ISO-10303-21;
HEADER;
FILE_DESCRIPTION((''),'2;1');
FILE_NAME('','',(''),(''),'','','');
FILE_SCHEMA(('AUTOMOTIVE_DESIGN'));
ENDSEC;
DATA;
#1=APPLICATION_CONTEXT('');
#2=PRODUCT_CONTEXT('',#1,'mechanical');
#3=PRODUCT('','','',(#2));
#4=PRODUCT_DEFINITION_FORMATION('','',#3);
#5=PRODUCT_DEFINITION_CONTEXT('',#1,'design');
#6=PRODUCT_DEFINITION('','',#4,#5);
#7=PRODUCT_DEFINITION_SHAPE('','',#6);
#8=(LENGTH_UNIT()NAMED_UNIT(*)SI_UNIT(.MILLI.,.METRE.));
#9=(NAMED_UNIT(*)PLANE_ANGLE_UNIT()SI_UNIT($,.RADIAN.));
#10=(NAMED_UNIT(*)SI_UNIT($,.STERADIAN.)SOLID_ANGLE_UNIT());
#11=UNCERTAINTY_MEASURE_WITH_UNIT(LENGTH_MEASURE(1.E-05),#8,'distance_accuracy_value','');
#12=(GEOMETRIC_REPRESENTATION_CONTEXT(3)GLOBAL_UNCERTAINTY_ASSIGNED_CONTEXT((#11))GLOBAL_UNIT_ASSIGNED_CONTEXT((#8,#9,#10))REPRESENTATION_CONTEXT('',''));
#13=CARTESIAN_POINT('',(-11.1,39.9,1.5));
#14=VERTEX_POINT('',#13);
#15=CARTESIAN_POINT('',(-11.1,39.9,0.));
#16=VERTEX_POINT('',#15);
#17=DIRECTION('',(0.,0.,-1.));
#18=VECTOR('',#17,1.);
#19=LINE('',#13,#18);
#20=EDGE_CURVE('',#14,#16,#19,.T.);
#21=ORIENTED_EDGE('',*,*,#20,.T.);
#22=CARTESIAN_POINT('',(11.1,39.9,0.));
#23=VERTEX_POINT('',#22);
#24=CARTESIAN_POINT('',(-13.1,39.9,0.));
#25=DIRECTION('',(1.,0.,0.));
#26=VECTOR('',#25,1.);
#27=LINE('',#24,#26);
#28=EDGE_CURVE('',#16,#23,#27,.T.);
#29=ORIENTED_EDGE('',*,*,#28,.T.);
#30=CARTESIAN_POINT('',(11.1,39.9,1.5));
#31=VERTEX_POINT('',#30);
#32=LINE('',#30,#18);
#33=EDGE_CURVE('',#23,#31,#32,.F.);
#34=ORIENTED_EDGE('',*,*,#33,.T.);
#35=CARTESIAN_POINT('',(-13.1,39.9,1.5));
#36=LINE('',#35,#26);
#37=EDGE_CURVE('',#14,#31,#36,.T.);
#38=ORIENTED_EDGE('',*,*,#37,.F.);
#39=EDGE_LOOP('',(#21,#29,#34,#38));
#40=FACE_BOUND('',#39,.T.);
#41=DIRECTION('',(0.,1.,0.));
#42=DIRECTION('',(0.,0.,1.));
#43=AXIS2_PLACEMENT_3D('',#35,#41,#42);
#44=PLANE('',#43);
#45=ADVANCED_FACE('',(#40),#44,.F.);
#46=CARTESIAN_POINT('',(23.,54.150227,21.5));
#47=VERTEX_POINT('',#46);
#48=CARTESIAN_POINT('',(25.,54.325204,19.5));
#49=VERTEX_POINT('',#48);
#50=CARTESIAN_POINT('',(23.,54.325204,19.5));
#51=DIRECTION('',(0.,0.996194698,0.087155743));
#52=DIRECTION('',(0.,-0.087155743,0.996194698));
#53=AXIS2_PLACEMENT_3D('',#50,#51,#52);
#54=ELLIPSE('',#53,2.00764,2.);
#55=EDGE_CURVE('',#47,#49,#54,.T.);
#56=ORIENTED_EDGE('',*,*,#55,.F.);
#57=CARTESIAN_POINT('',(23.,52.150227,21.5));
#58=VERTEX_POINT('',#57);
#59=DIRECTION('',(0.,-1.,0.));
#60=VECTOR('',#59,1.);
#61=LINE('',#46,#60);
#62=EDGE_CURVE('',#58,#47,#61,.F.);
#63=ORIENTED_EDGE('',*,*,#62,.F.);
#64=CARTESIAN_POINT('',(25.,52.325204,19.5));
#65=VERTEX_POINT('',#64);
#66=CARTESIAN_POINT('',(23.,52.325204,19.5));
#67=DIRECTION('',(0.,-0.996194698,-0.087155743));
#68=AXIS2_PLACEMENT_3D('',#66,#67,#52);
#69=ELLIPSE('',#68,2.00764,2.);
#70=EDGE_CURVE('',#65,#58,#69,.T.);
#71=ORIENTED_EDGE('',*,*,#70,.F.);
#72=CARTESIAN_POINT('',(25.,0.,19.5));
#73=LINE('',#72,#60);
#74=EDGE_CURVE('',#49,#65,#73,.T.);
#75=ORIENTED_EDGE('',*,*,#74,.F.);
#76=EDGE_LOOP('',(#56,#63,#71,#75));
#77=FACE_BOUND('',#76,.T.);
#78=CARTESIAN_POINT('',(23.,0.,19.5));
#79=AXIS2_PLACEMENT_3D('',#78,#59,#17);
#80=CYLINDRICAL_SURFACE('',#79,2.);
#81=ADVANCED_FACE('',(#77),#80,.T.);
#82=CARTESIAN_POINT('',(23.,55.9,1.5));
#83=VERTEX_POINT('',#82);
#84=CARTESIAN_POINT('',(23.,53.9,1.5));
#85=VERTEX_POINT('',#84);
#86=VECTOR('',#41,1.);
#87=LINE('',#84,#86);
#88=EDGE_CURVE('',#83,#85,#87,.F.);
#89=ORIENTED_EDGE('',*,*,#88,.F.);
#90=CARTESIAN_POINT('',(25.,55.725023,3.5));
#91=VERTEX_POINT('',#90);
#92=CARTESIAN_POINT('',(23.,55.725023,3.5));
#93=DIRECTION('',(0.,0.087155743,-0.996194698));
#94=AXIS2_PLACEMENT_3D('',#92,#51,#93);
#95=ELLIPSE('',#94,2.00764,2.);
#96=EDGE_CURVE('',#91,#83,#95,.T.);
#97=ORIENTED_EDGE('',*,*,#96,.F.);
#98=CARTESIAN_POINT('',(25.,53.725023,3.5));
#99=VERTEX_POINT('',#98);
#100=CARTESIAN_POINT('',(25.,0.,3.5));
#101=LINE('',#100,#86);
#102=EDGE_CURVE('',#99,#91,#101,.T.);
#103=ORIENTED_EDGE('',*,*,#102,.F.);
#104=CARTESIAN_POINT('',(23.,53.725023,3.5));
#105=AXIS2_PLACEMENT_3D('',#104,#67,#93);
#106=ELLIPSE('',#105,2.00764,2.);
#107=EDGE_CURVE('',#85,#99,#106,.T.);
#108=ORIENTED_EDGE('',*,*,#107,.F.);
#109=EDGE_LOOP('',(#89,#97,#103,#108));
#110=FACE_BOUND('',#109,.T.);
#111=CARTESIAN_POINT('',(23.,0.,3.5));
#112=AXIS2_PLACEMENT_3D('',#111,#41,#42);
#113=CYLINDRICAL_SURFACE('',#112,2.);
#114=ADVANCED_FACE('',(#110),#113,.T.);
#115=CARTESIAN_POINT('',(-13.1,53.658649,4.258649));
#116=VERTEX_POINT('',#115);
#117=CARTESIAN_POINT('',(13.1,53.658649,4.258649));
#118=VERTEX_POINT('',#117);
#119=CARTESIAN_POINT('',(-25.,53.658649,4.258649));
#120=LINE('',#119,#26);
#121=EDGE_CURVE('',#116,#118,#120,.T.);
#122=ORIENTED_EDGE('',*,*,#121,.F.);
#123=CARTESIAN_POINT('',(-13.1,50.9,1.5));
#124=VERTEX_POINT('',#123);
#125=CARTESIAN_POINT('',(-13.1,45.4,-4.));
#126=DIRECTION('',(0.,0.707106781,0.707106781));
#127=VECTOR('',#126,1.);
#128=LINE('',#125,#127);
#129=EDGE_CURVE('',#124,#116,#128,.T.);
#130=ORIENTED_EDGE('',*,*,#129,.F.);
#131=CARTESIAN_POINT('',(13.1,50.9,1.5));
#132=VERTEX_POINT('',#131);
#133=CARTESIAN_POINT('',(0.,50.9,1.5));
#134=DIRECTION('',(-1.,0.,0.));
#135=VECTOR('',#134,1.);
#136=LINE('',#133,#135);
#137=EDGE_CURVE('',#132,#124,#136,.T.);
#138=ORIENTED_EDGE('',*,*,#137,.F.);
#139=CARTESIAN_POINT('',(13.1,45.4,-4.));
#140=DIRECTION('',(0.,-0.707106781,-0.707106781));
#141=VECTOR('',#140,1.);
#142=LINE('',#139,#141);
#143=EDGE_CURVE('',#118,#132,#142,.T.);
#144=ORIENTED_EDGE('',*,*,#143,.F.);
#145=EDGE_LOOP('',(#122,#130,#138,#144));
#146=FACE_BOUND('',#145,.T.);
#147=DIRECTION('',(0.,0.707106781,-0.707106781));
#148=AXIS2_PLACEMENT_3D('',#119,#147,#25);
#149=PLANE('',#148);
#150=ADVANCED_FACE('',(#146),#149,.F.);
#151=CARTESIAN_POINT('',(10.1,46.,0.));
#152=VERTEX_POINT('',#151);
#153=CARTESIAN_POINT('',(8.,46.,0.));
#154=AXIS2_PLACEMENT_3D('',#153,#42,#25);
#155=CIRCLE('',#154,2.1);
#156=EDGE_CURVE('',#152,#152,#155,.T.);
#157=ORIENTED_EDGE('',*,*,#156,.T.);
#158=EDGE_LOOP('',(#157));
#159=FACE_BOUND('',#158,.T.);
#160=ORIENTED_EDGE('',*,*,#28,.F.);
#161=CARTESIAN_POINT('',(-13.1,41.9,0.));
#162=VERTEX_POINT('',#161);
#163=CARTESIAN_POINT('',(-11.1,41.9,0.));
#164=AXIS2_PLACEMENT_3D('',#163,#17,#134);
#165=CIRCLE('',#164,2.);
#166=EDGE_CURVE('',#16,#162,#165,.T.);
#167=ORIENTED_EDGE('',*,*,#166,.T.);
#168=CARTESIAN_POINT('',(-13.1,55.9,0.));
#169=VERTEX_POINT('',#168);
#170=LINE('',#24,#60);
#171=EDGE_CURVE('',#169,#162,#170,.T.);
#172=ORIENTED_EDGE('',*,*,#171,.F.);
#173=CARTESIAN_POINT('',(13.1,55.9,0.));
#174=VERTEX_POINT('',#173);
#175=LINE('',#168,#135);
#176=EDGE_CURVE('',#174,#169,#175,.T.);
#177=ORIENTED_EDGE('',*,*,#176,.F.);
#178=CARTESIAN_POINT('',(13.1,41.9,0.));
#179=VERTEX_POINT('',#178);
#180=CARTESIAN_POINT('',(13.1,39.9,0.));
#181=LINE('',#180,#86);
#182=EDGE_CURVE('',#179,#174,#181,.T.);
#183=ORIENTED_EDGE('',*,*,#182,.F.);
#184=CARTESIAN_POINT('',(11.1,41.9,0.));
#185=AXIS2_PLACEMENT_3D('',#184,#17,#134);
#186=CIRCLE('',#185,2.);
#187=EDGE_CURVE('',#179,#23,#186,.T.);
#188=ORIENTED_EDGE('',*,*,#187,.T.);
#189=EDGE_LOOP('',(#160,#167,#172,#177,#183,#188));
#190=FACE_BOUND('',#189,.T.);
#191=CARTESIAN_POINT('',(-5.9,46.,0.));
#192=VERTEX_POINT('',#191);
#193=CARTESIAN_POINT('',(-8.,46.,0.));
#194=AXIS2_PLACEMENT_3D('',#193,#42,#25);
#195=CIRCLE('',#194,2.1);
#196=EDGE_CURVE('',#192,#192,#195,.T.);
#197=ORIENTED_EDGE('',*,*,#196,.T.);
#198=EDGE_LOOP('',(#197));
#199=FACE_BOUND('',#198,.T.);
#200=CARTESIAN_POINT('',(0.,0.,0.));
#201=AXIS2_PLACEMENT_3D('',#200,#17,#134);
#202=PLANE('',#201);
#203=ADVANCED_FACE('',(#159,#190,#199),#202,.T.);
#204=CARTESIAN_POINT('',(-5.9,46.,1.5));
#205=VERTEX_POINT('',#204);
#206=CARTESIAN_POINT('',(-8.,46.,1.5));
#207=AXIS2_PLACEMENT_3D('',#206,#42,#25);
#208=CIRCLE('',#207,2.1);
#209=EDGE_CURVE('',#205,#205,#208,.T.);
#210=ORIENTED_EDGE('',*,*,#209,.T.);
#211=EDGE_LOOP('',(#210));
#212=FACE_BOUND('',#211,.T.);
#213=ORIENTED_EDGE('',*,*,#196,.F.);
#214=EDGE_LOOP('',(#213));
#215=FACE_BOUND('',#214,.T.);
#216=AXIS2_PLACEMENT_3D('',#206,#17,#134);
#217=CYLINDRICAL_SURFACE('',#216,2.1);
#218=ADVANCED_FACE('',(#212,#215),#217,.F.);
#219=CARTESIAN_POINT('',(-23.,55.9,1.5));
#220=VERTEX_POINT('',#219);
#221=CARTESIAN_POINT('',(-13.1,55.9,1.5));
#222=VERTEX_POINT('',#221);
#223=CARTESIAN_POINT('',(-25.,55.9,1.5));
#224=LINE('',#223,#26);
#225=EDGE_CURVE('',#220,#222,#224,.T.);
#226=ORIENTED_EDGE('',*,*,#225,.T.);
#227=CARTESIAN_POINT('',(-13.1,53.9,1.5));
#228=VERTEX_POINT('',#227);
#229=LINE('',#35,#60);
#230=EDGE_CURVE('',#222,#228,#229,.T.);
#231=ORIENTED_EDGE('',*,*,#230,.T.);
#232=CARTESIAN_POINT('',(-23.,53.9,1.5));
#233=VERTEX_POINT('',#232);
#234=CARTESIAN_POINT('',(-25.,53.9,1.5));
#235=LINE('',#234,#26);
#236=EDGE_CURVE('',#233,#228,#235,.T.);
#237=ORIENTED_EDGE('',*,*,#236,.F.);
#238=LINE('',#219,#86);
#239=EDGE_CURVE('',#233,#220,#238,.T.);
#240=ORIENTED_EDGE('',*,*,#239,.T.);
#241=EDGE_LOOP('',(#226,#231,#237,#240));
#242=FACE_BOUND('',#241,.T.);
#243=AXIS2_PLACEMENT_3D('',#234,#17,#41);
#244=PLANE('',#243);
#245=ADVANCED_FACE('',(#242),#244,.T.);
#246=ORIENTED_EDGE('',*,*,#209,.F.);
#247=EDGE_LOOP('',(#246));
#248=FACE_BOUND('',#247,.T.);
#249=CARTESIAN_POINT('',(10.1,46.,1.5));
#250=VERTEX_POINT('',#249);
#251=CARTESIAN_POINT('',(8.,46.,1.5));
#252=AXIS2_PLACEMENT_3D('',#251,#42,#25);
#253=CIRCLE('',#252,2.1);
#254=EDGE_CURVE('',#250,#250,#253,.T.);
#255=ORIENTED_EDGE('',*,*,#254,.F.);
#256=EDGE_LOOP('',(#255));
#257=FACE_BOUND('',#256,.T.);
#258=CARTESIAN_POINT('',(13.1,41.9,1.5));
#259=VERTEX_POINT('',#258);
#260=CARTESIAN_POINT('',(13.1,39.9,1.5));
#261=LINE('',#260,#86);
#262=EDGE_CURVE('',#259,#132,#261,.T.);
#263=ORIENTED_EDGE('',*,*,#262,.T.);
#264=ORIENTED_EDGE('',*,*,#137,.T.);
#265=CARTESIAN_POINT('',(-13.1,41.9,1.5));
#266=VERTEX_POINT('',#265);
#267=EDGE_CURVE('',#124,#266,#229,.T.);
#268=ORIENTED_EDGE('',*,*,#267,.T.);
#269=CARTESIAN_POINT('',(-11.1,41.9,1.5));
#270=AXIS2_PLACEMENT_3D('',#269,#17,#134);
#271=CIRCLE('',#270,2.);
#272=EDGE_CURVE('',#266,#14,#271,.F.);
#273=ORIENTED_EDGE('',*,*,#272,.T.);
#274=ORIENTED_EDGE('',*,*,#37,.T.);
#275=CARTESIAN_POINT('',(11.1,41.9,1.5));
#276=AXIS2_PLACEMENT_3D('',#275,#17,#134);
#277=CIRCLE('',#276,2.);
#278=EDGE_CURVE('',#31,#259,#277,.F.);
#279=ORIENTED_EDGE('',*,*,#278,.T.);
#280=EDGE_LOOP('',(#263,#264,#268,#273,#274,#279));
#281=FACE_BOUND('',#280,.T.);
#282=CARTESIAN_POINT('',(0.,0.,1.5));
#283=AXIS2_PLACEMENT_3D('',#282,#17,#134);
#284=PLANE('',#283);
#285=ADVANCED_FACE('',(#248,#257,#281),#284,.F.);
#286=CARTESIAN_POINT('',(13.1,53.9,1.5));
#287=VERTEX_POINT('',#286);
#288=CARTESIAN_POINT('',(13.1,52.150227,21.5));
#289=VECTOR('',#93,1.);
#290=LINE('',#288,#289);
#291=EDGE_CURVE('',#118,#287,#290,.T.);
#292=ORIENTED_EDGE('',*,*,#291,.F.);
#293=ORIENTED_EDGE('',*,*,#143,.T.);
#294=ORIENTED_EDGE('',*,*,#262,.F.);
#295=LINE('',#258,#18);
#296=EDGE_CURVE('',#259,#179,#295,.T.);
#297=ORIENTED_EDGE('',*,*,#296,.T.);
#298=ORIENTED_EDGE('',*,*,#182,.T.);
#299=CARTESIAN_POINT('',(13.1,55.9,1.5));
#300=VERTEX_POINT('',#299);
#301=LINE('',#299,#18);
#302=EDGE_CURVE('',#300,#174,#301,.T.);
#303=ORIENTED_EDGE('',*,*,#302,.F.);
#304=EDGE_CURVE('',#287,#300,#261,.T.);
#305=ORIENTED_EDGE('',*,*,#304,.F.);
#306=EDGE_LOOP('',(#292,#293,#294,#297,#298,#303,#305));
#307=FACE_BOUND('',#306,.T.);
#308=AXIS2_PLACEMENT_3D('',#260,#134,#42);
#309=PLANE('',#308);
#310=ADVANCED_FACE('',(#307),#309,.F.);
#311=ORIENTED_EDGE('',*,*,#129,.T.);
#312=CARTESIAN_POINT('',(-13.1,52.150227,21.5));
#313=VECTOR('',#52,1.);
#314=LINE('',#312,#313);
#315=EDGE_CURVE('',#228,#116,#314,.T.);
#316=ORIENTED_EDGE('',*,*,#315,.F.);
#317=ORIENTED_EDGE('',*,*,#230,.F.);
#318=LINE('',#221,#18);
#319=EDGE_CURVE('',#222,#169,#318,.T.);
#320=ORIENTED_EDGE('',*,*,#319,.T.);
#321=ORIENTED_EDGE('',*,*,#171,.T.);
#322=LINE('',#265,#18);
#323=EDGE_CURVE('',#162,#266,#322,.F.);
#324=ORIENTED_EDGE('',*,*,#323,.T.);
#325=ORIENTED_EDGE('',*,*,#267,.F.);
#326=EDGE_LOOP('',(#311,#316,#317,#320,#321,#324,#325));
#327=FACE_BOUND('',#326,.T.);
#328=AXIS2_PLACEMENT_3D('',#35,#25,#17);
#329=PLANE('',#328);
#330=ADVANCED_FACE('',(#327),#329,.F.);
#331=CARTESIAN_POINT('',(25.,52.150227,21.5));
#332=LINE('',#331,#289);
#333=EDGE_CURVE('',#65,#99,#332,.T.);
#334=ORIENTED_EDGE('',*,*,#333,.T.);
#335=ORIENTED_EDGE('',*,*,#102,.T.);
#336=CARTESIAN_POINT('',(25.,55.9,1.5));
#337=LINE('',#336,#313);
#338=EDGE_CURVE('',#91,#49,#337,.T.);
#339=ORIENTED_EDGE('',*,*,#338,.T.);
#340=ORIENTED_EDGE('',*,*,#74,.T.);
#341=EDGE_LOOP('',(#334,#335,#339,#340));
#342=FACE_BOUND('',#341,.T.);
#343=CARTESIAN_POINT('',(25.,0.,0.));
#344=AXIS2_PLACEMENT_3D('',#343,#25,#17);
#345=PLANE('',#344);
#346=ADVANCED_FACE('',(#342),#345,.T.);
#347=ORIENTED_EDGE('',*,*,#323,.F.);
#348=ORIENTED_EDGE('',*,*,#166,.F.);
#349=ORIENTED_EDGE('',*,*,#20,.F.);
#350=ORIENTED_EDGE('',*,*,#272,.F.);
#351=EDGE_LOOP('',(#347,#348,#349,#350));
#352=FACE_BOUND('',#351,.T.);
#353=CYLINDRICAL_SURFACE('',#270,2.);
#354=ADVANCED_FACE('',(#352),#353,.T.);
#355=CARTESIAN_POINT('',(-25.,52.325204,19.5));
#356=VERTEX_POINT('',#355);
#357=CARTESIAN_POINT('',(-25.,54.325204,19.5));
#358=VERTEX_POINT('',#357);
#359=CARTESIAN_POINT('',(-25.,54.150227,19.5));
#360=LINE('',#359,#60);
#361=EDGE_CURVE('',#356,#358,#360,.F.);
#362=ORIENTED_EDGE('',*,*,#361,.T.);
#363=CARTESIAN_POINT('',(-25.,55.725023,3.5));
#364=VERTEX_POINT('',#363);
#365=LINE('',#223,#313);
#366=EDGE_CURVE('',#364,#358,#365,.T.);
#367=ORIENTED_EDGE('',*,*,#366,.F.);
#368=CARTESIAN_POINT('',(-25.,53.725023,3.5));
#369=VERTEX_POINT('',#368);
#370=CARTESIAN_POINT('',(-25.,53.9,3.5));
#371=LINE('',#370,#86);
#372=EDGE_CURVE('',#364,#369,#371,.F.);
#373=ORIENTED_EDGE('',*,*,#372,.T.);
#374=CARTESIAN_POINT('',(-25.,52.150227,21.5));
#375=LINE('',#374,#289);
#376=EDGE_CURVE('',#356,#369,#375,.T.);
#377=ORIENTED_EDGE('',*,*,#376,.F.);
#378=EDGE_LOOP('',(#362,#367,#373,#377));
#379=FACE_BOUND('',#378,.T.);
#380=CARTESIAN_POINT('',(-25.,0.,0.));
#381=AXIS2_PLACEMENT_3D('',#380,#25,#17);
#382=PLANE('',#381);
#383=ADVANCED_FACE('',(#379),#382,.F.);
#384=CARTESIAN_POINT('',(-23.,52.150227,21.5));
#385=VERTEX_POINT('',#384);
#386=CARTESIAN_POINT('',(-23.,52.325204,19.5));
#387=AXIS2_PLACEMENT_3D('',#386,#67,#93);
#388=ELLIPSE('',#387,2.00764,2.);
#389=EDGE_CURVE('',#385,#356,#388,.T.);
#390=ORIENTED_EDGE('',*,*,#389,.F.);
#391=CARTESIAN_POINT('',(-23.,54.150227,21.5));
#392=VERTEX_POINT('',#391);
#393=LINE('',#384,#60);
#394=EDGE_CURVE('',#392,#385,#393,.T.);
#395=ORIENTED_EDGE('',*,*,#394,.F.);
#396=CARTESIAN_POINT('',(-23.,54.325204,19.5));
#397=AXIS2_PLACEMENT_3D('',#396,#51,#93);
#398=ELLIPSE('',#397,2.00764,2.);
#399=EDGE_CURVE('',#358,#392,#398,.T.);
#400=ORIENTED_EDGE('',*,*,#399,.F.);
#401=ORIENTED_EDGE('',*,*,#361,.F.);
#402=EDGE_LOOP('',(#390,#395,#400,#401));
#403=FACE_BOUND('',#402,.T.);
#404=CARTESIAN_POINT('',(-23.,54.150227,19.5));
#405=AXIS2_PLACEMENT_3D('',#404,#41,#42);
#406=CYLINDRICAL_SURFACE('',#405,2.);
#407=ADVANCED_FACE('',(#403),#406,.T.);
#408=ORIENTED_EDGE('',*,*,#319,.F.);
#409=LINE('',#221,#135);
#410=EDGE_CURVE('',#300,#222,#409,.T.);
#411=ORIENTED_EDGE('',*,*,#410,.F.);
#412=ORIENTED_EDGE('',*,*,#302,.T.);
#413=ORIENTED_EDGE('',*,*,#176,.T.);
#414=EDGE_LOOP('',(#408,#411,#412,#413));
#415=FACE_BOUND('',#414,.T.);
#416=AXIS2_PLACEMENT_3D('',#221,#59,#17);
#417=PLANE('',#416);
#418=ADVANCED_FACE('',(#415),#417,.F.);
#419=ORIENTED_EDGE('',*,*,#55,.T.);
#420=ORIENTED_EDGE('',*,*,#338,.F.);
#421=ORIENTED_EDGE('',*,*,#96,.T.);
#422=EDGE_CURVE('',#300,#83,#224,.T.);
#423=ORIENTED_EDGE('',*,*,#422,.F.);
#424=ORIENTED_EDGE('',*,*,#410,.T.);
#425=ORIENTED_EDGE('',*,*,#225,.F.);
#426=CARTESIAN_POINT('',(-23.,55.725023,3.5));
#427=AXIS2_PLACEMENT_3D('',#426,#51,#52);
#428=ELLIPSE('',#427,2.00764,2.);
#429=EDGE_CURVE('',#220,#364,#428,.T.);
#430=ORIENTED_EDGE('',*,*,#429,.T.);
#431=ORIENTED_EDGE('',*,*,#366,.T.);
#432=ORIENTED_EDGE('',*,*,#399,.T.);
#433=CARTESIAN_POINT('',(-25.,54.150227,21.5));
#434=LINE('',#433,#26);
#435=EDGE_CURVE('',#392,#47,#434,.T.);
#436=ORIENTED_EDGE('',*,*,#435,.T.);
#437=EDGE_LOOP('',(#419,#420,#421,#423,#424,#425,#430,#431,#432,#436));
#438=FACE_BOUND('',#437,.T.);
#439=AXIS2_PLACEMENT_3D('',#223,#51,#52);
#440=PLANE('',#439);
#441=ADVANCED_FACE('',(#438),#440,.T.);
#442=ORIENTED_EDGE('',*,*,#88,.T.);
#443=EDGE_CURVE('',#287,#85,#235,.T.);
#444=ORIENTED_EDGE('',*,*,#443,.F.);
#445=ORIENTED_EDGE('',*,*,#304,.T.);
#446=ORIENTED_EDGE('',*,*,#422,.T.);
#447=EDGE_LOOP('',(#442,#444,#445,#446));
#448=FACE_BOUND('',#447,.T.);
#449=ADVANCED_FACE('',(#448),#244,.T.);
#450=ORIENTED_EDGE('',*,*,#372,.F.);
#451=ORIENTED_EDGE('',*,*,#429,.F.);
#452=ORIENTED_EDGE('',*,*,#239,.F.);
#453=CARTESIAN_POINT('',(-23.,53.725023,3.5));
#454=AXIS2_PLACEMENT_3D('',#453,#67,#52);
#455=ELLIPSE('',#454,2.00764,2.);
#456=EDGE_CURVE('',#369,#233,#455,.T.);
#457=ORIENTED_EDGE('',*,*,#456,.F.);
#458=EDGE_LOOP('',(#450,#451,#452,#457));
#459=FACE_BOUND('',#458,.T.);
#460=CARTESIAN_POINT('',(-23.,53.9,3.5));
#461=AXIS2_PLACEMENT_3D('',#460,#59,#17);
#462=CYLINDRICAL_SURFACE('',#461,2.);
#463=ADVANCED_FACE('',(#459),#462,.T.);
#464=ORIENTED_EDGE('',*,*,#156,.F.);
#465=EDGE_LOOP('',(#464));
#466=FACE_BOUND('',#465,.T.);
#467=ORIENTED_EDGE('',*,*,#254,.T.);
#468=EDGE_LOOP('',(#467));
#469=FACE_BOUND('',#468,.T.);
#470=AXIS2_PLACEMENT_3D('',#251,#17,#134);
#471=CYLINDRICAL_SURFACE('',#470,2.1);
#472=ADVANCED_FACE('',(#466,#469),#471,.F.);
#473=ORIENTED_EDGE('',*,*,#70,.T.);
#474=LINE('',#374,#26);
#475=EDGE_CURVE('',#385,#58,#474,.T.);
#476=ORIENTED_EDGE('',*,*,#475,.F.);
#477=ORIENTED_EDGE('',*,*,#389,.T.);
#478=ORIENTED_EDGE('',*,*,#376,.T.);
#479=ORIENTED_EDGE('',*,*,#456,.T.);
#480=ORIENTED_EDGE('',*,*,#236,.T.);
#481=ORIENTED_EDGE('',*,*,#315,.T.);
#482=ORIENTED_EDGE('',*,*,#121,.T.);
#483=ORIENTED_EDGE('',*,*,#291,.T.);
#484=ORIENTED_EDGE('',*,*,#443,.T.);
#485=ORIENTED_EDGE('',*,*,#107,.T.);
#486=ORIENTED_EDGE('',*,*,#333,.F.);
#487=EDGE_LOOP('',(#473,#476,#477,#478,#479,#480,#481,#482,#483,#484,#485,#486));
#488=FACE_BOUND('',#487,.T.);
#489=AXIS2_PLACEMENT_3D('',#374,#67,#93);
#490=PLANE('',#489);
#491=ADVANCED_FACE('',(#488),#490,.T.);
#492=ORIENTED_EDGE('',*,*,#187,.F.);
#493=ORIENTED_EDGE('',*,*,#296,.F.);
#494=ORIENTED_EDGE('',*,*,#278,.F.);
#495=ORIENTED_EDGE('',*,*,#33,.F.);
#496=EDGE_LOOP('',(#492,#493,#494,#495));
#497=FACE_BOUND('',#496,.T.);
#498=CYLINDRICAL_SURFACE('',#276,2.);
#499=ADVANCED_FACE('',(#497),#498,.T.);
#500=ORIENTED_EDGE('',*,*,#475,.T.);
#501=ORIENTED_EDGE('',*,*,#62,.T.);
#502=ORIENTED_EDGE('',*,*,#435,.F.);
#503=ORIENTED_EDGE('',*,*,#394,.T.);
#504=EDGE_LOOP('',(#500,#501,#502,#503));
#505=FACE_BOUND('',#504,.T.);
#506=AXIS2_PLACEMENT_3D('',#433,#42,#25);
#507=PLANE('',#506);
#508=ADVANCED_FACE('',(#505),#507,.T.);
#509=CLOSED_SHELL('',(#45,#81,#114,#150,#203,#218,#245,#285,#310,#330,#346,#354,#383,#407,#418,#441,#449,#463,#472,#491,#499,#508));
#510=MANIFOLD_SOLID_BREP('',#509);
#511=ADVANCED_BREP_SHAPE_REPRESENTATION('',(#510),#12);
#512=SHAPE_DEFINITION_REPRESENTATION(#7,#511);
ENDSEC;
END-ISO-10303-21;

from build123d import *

# Parameters (mm, degrees)
SKETCH3_W           = 26.2
SKETCH3_H           = 16
SKETCH3_R           = 2.1
BOSS_EXTRUDE1_DEPTH = 1.5
BOSS_EXTRUDE2_START = -13.1
BOSS_EXTRUDE2_DEPTH = 25
CHAMFER1_SIZE       = 3
CHAMFER1_SIZE2      = 2.769187039
FILLET1_R           = 2


with BuildPart() as part:
    # Sketch3 → Boss-Extrude1 (new body)
    with BuildSketch(Plane.XY):
        with Locations((0, 47.9)):
            Rectangle(SKETCH3_W, SKETCH3_H)
        with Locations((8, 46)):
            Circle(SKETCH3_R, mode=Mode.SUBTRACT)
        with Locations((-8, 46)):
            Circle(SKETCH3_R, mode=Mode.SUBTRACT)
    extrude(amount=BOSS_EXTRUDE1_DEPTH)

    # Sketch4 → Boss-Extrude2 (add, symmetric)
    with BuildSketch(Plane(origin=(13.1, 0, 0), x_dir=(0, 0, -1), z_dir=(1, 0, 0)).offset(BOSS_EXTRUDE2_START)):
        Polygon((-1.5, 55.9), (-21.5, 54.150226729), (-21.5, 52.150226729), (-1.5, 53.9), align=None)
    extrude(amount=BOSS_EXTRUDE2_DEPTH, both=True)

    # Chamfer1
    chamfer1_edges = [part.edges().sort_by_distance(p)[0] for p in [
        (0, 53.9, 1.5),
    ]]
    chamfer1_side = [part.faces().sort_by_distance(p)[0] for p in [
        (0, 46.973543536, 1.5),
    ]]
    chamfer(chamfer1_edges, length=CHAMFER1_SIZE, length2=CHAMFER1_SIZE2, reference=chamfer1_side[0])

    # Fillet1
    fillet1_edges = [part.edges().sort_by_distance(p)[0] for p in [
        (-25, 54.9, 1.5),
        (-25, 53.150226729, 21.5),
        (25, 54.9, 1.5),
        (25, 53.150226729, 21.5),
        (13.1, 39.9, 0.75),
        (-13.1, 39.9, 0.75),
    ]]
    fillet(fillet1_edges, radius=FILLET1_R)


solid = part.part
